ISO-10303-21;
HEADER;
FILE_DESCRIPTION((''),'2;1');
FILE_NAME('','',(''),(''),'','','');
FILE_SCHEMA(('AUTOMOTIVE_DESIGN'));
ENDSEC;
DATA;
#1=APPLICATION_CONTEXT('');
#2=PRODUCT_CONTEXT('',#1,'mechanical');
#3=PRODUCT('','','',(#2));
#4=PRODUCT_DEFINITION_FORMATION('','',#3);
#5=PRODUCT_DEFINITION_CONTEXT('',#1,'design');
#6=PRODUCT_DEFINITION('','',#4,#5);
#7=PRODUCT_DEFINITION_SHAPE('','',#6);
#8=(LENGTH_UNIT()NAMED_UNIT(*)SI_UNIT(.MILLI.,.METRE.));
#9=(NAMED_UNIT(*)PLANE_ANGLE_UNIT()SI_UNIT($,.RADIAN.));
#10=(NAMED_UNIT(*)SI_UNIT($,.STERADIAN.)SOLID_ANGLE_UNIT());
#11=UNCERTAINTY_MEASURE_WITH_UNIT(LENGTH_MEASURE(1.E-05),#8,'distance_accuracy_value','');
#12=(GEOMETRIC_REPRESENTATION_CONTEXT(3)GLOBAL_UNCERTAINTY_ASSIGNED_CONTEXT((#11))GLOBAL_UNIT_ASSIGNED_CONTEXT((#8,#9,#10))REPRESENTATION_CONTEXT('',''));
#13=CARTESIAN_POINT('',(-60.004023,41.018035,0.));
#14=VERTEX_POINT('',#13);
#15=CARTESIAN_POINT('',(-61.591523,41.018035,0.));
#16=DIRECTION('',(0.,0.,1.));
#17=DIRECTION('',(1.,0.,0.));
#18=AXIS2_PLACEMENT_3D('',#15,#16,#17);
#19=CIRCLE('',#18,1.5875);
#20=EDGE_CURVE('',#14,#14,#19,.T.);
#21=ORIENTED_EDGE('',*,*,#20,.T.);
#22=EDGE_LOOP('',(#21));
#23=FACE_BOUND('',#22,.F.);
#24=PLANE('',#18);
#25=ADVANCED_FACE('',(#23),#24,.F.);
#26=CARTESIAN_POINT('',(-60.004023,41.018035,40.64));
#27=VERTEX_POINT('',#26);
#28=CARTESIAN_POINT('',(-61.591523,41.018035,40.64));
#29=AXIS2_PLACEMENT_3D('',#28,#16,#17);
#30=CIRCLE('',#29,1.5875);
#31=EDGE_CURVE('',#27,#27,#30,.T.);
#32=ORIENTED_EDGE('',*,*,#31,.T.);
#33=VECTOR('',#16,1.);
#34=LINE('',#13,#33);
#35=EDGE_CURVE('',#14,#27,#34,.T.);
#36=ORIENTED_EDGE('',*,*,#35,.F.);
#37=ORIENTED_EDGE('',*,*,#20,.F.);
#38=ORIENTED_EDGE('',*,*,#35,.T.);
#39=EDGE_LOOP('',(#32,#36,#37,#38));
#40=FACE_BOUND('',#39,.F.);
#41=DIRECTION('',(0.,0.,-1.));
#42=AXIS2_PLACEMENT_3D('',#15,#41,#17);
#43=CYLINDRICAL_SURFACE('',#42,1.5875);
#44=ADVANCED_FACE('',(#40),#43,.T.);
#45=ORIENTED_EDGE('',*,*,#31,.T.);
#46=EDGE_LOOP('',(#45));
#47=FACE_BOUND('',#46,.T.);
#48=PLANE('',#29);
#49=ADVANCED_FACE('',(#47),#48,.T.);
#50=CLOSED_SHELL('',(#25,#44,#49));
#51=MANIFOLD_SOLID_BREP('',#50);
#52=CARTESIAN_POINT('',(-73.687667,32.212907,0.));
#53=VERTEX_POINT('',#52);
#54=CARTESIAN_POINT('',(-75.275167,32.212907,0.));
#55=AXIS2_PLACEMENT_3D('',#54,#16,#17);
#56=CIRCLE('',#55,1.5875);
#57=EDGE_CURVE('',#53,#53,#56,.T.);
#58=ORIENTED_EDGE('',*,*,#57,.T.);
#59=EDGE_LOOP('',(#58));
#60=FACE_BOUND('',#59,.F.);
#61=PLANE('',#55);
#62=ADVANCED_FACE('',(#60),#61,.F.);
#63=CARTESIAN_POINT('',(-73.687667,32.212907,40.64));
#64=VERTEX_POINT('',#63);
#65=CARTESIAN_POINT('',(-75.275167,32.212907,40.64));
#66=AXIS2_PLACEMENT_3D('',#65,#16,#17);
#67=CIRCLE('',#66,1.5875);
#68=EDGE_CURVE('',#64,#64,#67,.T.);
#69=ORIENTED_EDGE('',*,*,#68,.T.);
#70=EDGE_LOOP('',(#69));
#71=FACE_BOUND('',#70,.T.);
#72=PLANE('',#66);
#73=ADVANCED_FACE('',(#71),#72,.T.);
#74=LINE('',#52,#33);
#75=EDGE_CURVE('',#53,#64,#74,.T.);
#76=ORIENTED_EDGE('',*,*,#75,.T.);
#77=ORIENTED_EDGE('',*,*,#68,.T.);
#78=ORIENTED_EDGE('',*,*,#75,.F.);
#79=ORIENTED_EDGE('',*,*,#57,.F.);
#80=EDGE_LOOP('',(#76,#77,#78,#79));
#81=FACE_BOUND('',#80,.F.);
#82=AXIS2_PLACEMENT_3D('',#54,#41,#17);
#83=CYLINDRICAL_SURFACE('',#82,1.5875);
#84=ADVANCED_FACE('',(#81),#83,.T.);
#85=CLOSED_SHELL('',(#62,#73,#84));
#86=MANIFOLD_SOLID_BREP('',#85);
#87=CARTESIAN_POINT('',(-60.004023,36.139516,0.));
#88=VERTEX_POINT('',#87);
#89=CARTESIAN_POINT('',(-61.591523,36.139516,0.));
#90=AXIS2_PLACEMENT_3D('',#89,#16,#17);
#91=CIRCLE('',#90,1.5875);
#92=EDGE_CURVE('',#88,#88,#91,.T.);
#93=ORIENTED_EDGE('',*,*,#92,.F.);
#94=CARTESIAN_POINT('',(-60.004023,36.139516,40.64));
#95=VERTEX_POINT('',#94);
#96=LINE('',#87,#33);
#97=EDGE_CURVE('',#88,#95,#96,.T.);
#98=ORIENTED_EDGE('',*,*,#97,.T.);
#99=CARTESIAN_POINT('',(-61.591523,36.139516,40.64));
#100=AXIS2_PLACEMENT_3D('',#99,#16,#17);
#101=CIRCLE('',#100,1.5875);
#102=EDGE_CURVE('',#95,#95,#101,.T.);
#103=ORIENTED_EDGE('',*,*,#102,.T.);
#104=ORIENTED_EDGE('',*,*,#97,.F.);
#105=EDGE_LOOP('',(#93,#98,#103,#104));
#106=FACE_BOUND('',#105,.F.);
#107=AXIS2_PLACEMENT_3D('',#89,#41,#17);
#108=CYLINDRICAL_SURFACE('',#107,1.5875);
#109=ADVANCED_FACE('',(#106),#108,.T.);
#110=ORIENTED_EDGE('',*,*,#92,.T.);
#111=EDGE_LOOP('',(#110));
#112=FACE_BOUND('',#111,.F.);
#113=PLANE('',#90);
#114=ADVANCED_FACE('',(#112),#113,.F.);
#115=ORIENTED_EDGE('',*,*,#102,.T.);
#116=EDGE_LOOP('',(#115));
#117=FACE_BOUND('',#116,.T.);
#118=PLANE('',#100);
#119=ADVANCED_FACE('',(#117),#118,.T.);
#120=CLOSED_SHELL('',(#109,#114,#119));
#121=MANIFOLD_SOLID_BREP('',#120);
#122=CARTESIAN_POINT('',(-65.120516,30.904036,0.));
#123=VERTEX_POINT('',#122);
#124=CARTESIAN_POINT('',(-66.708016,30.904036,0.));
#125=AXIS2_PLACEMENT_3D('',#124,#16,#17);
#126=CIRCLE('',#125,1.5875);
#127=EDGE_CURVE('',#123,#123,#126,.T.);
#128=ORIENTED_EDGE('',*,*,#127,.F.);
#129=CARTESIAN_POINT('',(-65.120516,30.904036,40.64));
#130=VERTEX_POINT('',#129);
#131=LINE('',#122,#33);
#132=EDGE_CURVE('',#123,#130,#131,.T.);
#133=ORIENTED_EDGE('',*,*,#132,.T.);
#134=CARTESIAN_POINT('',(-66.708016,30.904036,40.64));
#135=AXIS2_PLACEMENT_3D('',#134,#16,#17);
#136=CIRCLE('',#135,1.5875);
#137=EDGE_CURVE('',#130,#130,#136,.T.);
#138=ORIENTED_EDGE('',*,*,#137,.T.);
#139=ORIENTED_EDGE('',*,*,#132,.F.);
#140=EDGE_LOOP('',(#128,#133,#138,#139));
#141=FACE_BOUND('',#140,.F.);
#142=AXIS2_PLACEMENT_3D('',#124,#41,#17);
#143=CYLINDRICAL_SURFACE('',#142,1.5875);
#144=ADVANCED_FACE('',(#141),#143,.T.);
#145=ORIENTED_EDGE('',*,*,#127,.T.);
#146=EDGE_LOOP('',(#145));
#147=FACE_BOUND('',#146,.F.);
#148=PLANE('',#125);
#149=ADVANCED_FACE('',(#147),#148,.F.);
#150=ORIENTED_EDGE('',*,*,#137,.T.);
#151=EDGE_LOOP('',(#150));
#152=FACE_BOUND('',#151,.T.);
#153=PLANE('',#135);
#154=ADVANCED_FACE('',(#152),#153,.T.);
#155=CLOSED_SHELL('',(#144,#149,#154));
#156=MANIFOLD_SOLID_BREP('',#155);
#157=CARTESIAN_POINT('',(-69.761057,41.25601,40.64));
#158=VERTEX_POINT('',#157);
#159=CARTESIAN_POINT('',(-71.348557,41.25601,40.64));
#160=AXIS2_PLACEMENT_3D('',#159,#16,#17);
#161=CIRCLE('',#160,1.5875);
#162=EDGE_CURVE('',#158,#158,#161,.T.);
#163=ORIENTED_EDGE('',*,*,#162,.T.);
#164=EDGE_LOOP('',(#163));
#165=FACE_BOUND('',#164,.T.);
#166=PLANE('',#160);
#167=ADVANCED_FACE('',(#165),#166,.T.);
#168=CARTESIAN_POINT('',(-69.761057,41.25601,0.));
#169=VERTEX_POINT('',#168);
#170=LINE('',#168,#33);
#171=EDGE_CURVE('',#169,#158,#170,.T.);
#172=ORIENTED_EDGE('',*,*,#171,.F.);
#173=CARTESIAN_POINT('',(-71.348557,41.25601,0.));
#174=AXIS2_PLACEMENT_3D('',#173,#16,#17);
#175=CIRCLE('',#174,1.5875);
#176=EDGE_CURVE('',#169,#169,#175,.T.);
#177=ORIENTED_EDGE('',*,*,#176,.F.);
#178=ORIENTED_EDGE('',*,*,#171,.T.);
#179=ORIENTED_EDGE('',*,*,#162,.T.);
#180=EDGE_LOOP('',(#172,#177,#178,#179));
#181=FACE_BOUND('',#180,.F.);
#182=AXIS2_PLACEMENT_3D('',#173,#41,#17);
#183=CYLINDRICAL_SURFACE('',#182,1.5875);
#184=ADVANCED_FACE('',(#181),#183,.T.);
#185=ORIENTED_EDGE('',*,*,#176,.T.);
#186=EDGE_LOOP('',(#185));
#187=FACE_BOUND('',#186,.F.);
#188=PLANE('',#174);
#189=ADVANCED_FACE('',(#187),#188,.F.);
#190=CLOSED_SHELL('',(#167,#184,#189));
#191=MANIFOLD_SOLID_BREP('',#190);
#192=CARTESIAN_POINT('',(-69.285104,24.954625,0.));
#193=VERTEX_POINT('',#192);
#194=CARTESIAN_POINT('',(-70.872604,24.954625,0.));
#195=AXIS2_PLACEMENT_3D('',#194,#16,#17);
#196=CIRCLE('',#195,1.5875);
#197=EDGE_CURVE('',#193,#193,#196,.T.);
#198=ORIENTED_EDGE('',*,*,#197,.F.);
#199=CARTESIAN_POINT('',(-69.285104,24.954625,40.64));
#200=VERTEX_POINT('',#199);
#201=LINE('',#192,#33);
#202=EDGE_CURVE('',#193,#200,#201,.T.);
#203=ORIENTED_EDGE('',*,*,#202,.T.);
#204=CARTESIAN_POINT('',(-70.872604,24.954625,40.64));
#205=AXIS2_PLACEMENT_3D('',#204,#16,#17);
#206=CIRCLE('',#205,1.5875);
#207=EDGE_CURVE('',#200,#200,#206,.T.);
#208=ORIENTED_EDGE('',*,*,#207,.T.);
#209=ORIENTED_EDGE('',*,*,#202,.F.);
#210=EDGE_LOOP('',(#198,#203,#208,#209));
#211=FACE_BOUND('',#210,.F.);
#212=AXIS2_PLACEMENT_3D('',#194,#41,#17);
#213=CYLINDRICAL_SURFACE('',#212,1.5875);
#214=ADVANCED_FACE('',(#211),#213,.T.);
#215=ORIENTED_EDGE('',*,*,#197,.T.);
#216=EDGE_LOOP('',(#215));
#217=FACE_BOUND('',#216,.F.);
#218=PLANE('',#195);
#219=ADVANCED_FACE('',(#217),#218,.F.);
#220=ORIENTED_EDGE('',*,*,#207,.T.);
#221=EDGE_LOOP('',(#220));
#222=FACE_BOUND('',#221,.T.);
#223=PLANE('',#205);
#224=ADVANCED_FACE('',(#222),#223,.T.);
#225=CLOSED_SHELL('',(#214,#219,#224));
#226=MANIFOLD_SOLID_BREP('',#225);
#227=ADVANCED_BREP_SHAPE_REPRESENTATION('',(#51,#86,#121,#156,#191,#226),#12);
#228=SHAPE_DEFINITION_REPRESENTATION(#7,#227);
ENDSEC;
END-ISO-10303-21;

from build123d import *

# Parameters (mm, degrees)
F0_R     = 1.5875
F1_DEPTH = 40.64


with BuildPart() as f1:
    # F0 (on Top) → F1 (new body)
    with BuildSketch(Plane.XY):
        with Locations((-71.348557, 41.25601)):
            Circle(F0_R)
        with Locations((-61.591523, 41.018035)):
            Circle(F0_R)
        with Locations((-61.591523, 36.139516)):
            Circle(F0_R)
        with Locations((-75.275167, 32.212907)):
            Circle(F0_R)
        with Locations((-66.708016, 30.904036)):
            Circle(F0_R)
        with Locations((-70.872604, 24.954625)):
            Circle(F0_R)
    extrude(amount=F1_DEPTH)


solid = f1.part
